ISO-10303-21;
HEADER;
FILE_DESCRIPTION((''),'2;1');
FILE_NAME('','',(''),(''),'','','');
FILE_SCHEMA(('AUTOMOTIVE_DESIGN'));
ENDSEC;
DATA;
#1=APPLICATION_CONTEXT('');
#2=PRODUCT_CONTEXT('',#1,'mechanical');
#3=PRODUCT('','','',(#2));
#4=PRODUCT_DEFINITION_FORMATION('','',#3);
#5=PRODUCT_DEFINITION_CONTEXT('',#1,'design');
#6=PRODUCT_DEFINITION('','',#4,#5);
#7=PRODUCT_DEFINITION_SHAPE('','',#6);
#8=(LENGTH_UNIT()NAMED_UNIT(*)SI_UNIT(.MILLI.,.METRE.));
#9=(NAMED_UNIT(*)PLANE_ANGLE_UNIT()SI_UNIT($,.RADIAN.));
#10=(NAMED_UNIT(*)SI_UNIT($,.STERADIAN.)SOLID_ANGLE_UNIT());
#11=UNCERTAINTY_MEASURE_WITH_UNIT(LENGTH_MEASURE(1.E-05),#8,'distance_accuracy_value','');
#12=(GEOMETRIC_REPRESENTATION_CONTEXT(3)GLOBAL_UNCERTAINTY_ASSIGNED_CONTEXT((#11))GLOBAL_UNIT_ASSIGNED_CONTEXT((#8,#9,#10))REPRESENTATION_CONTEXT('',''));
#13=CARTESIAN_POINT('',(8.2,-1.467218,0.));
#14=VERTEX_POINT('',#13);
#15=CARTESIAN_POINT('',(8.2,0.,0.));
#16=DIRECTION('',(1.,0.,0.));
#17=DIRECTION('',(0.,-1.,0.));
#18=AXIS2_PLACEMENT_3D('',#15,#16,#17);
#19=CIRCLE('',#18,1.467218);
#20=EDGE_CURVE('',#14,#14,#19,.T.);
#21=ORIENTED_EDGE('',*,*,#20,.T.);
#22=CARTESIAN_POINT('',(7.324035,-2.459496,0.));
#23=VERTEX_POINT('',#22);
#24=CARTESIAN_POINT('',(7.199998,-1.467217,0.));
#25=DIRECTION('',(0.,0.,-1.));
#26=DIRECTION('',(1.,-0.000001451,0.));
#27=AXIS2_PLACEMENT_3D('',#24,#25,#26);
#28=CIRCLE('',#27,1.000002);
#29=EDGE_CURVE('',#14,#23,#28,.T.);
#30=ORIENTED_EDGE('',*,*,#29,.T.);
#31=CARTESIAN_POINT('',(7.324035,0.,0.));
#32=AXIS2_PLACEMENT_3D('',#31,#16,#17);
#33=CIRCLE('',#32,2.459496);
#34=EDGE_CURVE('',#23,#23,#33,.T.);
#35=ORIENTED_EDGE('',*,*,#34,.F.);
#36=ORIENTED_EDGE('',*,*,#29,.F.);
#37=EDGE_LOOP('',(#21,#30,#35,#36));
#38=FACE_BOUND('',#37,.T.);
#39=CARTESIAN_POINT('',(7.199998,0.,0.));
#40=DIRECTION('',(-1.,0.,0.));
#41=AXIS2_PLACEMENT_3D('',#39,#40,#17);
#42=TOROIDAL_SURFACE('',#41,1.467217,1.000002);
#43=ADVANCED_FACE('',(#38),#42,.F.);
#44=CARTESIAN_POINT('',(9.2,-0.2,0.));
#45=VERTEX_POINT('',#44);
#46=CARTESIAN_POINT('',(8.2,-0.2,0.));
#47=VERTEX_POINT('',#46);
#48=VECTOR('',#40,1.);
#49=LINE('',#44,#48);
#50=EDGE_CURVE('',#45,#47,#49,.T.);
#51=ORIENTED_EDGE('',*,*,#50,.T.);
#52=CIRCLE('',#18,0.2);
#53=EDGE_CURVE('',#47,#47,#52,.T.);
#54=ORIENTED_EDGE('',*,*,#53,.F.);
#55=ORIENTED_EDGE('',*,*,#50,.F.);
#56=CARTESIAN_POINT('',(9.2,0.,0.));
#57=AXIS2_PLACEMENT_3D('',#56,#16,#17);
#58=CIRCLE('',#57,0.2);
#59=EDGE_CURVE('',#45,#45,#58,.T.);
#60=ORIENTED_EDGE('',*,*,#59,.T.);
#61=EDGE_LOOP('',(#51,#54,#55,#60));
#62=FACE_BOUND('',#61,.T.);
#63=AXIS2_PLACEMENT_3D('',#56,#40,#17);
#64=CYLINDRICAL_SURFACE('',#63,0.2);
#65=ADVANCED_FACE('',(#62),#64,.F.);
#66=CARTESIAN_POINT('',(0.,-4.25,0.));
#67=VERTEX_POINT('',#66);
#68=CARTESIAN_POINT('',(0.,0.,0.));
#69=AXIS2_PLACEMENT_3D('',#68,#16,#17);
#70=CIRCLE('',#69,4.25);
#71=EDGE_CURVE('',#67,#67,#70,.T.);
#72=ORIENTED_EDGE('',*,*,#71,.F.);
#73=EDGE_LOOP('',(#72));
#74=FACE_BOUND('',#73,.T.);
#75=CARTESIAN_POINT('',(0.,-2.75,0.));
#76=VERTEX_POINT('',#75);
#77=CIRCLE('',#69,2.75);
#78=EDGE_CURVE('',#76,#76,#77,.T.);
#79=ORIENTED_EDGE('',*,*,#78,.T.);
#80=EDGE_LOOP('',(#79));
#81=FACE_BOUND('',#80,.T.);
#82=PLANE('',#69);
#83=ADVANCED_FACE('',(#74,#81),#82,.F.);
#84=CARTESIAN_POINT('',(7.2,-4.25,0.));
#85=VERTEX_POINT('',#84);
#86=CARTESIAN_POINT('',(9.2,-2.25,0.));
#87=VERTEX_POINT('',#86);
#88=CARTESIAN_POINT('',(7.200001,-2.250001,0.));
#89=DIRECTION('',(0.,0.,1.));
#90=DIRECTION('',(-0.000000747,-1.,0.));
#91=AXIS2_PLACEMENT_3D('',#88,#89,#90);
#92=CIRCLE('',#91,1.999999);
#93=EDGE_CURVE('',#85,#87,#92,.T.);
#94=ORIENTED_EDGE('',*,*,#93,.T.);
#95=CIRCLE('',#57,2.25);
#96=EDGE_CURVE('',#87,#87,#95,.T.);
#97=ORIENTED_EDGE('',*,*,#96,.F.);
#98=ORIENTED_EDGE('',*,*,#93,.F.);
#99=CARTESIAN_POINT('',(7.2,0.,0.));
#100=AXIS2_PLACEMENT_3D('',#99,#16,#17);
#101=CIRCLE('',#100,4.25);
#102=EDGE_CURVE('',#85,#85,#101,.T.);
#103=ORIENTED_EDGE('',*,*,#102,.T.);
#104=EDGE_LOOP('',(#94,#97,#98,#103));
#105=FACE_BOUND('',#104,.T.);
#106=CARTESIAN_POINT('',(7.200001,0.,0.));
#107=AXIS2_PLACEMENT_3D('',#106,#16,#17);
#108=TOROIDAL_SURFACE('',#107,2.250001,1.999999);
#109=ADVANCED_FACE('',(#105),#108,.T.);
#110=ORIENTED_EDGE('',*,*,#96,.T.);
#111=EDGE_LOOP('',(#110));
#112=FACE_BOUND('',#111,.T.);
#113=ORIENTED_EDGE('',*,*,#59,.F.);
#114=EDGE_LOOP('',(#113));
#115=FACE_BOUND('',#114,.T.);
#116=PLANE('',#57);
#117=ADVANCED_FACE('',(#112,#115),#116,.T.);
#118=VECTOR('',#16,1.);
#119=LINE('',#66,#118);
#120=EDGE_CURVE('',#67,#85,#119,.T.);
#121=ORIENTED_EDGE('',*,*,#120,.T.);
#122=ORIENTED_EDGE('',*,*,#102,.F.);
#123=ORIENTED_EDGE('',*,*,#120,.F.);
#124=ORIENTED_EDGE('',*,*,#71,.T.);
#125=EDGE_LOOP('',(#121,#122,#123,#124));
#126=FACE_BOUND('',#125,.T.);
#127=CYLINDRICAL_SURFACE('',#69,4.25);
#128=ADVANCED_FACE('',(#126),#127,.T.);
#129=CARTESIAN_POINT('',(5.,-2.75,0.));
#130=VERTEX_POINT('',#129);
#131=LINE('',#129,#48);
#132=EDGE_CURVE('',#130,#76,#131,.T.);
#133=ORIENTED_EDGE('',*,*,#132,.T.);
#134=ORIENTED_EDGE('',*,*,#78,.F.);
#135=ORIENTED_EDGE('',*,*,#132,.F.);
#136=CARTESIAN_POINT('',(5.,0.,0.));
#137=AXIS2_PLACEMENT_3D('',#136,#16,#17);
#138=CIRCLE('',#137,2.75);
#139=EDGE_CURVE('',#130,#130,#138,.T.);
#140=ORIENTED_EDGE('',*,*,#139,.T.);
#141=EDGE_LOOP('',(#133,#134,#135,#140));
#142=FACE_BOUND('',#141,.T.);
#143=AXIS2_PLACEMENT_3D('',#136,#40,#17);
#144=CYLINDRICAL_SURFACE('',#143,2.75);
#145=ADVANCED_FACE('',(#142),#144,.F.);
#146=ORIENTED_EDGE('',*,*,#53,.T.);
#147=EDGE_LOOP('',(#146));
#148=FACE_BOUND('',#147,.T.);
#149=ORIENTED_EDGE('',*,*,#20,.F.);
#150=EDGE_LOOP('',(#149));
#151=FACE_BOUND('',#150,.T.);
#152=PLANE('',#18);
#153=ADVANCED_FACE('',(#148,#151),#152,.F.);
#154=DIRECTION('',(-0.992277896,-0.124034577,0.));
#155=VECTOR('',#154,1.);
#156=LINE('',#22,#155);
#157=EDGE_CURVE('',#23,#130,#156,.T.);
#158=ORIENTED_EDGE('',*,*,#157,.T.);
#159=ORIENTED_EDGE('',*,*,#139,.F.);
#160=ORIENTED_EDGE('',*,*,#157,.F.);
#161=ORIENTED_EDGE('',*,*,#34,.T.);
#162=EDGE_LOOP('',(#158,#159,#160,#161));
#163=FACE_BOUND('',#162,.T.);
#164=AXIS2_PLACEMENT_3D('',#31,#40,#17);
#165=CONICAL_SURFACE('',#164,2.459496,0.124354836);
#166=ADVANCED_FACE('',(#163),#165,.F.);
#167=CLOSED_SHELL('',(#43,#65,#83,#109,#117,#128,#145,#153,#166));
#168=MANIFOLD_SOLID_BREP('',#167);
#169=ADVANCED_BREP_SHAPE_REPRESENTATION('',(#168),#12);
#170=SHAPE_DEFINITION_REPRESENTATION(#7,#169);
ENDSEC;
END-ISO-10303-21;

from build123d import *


with BuildPart() as f3:
    # F1 (on face) → F3 (revolve)
    with BuildSketch(Plane.XY):
        with BuildLine():
            Line((5, -2.75), (0, -2.75))
            Line((0, -2.75), (0, -4.25))
            Line((0, -4.25), (7.2, -4.25))
            ThreePointArc((7.2, -4.25), (8.614214, -3.664214), (9.2, -2.25))
            Line((9.2, -2.25), (9.2, -0.2))
            Line((9.2, -0.2), (8.2, -0.2))
            Line((8.2, -0.2), (8.2, -1.467218))
            ThreePointArc((8.2, -1.467218), (7.949678, -2.12902), (7.324035, -2.459496))
            Line((7.324035, -2.459496), (5, -2.75))
        make_face()
    revolve(axis=Axis((5.405035, 0, 0), (1, 0, 0)))


solid = f3.part
